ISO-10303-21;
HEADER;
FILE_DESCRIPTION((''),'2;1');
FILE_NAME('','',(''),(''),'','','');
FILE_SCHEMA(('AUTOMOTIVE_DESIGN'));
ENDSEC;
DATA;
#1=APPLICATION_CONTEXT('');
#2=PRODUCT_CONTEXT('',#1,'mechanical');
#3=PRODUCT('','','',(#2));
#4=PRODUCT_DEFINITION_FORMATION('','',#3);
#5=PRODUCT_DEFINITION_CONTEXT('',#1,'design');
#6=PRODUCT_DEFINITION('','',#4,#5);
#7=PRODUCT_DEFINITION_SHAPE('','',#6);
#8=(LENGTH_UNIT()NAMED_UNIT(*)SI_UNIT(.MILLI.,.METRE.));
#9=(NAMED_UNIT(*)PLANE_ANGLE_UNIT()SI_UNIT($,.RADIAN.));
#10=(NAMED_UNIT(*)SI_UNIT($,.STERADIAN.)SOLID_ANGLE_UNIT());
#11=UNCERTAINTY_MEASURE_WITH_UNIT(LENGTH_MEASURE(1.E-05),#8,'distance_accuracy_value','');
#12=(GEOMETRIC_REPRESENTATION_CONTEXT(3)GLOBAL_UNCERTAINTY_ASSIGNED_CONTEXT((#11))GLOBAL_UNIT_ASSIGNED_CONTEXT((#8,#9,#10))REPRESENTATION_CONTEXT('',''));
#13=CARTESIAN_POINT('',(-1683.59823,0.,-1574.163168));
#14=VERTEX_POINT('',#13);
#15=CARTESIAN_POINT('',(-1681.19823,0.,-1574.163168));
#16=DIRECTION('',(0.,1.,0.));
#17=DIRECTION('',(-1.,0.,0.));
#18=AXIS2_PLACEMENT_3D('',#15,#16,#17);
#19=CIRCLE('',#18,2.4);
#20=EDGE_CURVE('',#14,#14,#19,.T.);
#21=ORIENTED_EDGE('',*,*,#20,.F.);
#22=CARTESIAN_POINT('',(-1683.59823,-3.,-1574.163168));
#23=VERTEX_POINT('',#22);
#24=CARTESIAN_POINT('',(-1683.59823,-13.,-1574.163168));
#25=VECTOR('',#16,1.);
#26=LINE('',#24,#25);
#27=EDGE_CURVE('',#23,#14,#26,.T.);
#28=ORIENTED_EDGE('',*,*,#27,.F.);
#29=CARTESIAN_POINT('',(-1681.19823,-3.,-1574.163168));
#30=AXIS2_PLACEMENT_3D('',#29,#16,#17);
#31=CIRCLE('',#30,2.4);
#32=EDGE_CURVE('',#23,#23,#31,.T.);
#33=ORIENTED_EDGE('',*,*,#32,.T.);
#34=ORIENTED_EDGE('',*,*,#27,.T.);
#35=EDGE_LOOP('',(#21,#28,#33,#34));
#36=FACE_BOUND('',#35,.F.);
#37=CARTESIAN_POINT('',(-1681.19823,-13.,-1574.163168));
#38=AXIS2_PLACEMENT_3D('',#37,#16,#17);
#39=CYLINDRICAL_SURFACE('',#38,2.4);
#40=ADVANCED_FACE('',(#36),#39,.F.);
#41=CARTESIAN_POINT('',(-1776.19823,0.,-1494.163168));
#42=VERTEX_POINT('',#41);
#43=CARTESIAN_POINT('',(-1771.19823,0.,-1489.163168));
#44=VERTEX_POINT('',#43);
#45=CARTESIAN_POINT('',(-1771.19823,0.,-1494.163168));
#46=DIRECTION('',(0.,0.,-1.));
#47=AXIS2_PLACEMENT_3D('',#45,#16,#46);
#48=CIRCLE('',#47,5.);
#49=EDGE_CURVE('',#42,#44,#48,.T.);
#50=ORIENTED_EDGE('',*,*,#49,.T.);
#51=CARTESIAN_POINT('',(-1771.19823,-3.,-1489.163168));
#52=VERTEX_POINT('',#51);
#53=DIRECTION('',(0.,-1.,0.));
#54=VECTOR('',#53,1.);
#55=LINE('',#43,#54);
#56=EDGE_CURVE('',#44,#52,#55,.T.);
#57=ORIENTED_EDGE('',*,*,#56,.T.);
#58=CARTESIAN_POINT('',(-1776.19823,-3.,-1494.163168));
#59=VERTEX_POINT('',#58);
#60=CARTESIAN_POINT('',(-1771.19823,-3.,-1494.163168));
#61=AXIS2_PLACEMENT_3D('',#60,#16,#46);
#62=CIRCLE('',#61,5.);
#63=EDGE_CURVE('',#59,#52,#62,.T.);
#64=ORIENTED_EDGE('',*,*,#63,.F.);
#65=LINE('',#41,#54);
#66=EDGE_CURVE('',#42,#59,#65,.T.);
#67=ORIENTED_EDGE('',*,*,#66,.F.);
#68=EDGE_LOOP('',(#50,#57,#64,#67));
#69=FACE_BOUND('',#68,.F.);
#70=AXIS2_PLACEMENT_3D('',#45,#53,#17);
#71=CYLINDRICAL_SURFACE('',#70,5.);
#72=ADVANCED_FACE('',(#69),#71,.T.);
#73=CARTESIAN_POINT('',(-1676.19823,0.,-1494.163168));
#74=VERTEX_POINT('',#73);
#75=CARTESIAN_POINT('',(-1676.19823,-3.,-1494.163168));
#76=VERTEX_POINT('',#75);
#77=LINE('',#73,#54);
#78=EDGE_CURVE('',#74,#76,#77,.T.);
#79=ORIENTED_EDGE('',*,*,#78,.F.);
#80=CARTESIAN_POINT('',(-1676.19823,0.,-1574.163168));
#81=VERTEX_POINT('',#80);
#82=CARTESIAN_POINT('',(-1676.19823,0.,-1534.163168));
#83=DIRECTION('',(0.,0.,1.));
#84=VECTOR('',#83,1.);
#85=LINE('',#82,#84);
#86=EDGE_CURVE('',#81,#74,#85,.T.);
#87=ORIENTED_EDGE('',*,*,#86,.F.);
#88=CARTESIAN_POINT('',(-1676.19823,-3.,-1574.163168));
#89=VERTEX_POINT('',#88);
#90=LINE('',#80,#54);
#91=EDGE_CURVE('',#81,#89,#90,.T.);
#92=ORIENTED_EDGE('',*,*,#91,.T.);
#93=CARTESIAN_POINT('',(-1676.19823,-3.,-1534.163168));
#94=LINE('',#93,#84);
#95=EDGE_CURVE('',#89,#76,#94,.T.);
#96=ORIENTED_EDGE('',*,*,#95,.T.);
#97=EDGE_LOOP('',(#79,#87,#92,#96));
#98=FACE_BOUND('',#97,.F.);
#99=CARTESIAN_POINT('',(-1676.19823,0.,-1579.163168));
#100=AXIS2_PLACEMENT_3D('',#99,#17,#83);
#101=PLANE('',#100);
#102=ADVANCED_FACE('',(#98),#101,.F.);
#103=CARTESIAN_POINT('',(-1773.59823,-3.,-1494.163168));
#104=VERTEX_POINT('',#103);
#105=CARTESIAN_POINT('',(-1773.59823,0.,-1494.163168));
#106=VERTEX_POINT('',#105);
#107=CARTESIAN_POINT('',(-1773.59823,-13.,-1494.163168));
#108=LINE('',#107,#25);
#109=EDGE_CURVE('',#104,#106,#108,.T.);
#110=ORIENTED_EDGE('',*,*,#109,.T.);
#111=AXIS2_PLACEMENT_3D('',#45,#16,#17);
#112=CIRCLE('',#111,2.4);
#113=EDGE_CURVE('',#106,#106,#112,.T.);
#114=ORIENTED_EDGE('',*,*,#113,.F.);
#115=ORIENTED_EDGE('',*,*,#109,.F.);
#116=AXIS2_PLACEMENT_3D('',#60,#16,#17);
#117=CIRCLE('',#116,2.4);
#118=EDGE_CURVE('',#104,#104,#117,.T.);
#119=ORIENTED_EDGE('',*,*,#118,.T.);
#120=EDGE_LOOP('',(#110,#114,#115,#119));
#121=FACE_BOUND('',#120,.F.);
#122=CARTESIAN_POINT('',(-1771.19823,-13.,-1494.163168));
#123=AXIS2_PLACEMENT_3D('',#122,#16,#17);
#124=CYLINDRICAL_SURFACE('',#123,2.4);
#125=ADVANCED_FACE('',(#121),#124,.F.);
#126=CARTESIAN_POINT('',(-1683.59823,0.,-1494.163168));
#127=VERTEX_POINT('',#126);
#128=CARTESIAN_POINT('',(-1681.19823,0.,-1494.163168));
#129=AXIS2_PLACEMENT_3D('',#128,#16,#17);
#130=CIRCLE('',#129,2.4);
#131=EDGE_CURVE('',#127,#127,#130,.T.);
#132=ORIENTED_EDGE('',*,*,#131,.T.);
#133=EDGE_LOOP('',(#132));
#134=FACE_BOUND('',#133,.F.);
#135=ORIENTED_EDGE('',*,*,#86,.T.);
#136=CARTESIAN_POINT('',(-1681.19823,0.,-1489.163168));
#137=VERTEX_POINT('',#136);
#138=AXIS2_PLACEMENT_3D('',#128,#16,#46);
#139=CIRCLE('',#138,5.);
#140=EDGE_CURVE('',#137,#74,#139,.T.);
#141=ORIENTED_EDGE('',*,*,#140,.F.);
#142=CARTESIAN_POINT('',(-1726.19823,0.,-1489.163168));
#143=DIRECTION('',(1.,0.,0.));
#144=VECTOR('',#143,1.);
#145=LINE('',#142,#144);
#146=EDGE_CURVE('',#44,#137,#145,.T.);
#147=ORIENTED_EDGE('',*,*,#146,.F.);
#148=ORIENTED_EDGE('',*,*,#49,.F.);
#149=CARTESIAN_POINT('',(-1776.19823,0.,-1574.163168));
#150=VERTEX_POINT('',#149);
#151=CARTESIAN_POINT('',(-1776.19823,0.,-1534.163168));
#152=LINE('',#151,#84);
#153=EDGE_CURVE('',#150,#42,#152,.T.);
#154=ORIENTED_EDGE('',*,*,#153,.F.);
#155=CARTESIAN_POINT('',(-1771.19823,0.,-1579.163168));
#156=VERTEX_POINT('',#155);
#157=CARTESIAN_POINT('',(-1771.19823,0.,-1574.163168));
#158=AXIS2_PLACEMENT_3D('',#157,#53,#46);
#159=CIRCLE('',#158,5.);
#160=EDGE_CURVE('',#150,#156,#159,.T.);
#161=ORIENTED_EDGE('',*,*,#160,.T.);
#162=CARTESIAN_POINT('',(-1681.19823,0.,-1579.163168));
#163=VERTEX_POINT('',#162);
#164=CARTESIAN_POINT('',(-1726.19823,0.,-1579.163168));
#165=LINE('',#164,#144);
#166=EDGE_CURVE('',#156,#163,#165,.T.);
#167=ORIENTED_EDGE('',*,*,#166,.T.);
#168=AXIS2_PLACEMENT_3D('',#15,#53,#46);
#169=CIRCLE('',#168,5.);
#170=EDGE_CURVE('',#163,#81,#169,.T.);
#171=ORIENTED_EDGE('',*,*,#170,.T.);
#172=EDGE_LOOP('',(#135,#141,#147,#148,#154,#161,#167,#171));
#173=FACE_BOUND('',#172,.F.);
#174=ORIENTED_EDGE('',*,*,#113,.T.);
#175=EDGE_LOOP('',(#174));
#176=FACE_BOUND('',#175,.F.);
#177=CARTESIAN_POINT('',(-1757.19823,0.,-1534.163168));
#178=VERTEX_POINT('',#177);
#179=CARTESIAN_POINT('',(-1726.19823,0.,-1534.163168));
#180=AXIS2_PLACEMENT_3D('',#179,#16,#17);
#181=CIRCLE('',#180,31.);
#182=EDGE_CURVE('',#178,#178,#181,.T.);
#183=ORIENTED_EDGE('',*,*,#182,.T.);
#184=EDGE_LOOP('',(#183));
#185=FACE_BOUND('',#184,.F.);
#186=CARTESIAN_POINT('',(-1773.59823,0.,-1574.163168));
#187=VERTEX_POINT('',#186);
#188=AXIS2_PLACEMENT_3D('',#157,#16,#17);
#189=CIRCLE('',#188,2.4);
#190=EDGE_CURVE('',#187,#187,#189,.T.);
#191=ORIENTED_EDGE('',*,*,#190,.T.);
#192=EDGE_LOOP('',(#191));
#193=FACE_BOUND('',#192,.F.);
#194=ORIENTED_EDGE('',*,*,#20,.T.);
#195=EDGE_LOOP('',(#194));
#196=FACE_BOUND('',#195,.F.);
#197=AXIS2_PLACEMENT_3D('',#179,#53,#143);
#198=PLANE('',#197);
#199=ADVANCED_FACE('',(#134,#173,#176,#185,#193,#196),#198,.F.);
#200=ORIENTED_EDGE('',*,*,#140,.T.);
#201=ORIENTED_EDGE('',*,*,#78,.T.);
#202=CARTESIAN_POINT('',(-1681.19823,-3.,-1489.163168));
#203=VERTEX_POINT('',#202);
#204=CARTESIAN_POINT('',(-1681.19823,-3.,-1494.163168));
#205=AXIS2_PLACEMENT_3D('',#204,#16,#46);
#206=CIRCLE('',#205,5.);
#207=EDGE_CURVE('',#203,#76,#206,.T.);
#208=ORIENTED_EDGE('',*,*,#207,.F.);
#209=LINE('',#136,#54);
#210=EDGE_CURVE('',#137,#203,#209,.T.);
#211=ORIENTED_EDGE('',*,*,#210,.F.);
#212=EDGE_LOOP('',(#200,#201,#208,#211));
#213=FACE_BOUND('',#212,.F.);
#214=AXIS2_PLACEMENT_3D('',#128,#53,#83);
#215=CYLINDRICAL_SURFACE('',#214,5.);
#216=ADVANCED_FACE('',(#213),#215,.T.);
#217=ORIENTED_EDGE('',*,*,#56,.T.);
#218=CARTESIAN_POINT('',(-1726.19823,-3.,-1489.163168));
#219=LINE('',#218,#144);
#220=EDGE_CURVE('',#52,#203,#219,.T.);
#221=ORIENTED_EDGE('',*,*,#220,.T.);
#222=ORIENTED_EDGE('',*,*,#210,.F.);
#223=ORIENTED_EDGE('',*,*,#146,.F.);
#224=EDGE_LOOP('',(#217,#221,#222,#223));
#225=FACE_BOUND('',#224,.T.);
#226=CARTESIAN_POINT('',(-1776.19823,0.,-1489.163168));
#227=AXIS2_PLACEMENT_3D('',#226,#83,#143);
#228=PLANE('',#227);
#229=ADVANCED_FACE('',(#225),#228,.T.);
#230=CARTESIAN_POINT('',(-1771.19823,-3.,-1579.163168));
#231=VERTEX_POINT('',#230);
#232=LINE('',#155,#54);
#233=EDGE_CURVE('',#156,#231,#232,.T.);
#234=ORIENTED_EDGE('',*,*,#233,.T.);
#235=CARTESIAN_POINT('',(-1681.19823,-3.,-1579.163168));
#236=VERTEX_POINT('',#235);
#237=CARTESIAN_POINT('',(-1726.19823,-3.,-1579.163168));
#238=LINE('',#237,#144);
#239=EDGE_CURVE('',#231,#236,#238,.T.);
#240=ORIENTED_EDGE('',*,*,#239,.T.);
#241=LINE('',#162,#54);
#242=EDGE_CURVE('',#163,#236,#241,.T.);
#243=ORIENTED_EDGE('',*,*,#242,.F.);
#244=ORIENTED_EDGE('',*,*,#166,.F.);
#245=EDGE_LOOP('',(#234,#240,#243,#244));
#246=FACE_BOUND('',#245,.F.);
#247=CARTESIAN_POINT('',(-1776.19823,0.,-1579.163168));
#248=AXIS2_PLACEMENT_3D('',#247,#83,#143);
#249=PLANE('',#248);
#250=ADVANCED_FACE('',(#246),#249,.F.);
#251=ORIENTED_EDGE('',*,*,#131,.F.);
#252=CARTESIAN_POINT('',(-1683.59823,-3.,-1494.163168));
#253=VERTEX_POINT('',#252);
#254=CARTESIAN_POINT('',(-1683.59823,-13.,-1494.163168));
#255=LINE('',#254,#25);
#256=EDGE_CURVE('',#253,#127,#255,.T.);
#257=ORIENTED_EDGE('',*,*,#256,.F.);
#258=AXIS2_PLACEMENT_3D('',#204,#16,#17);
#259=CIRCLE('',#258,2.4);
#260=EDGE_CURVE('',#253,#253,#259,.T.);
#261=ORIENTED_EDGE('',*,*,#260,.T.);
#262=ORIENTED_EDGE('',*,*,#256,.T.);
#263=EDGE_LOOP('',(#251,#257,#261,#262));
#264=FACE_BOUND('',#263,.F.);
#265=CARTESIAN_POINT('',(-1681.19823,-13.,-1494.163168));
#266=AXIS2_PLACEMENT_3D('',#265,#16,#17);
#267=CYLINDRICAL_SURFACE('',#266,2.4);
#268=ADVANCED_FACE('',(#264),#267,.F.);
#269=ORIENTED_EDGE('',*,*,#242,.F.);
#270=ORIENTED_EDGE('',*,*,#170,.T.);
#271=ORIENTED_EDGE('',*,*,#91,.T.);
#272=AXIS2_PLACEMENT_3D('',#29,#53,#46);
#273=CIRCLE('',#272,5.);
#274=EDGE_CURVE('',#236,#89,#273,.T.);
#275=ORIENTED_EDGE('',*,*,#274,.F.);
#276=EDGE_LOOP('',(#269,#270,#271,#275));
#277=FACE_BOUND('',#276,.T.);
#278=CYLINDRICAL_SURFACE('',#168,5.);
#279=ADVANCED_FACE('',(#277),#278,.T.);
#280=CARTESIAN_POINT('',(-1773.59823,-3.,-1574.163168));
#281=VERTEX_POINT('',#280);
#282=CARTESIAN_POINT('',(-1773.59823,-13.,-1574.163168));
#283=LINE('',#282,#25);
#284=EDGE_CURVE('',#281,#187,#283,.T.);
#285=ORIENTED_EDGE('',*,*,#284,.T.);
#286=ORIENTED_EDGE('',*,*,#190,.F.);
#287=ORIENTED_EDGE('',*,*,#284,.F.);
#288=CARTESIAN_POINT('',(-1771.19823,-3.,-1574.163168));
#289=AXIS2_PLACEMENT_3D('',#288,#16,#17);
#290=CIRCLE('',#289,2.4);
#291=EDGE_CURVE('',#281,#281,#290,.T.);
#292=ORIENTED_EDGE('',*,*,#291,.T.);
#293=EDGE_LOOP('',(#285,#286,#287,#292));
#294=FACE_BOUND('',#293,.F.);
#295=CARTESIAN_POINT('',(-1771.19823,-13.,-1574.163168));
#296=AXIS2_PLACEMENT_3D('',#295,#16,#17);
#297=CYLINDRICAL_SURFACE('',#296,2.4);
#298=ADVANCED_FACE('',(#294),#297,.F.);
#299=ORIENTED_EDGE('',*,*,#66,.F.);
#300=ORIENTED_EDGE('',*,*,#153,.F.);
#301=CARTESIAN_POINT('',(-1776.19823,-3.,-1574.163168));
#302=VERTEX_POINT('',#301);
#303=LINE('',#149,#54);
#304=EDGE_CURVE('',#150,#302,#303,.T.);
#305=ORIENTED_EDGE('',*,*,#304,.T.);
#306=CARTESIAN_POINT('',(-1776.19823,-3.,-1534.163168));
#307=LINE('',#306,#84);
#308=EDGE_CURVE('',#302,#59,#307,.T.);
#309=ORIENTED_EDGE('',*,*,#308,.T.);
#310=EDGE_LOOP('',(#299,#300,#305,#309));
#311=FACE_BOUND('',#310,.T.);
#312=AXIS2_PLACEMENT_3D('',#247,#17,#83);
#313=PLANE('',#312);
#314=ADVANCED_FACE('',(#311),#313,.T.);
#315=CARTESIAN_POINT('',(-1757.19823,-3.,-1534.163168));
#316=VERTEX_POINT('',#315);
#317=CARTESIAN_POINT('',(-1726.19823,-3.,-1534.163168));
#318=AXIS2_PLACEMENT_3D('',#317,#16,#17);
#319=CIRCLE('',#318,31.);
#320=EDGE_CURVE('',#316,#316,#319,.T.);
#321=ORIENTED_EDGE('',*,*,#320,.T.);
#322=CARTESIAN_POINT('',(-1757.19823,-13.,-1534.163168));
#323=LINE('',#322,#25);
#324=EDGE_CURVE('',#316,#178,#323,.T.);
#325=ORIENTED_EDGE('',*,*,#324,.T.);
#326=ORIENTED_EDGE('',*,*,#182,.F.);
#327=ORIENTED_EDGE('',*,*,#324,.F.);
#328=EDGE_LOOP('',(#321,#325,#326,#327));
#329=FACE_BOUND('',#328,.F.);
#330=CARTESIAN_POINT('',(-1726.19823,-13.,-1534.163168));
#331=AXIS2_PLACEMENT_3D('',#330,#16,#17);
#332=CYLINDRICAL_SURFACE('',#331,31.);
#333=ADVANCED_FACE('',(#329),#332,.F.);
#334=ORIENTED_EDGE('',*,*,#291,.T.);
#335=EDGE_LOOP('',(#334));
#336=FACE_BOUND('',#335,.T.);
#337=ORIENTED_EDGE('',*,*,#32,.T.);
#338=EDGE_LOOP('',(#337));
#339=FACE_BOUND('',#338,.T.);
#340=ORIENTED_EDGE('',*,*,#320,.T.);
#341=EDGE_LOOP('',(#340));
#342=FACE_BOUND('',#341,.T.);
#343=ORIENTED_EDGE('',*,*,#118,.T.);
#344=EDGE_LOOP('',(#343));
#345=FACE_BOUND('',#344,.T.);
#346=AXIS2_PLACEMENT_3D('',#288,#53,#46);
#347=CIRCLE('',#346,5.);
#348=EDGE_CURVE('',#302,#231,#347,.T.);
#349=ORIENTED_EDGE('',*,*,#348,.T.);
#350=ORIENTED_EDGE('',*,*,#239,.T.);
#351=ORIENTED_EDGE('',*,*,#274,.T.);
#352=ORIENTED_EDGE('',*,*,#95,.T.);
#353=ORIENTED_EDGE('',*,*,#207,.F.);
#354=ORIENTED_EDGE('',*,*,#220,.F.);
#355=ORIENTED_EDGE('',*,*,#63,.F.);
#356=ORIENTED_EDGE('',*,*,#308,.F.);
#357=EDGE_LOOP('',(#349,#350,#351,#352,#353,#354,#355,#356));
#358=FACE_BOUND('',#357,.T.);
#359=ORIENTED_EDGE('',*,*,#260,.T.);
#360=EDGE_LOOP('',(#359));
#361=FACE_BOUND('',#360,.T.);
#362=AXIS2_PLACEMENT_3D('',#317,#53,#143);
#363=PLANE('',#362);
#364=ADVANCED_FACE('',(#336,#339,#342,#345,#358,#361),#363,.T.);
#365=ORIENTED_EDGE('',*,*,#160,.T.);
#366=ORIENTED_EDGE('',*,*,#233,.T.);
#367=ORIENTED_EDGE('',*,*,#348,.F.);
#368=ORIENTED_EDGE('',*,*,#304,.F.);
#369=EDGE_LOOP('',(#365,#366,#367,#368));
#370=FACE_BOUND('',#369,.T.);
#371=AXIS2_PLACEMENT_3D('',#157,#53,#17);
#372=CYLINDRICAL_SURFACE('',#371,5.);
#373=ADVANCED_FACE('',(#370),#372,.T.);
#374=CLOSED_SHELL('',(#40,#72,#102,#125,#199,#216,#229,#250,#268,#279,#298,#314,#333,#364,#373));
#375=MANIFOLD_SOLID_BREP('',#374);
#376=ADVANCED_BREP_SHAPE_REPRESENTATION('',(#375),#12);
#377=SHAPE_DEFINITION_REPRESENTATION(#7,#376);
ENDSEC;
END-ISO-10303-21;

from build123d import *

# Parameters (mm, degrees)
F0_W     = 100
F0_H     = 90
F1_DEPTH = 3
F3_D     = 4.8
F3_DEPTH = 10
F4_R     = 5
F6_D     = 62
F6_DEPTH = 10


with BuildPart() as f1:
    # F0 (on Front) → F1 (new body)
    with BuildSketch(Plane.XZ):
        with Locations((-1726.19823, -1534.163168)):
            Rectangle(F0_W, F0_H)
    extrude(amount=F1_DEPTH)

    # F3
    with Locations(Plane.XZ.offset(3)):
        with Locations((-1771.19823, -1494.163168), (-1681.19823, -1494.163168), (-1681.19823, -1574.163168), (-1771.19823, -1574.163168)):
            Hole(F3_D / 2, depth=F3_DEPTH)

    # F4
    f4_edges = [f1.edges().sort_by_distance(p)[0] for p in [
        (-1676.19823, -1.5, -1489.163168),
        (-1676.19823, -1.5, -1579.163168),
        (-1776.19823, -1.5, -1489.163168),
        (-1776.19823, -1.5, -1579.163168),
    ]]
    fillet(f4_edges, radius=F4_R)

    # F6
    with Locations(Plane.XZ.offset(3)):
        with Locations((-1726.19823, -1534.163168)):
            Hole(F6_D / 2, depth=F6_DEPTH)


solid = f1.part
